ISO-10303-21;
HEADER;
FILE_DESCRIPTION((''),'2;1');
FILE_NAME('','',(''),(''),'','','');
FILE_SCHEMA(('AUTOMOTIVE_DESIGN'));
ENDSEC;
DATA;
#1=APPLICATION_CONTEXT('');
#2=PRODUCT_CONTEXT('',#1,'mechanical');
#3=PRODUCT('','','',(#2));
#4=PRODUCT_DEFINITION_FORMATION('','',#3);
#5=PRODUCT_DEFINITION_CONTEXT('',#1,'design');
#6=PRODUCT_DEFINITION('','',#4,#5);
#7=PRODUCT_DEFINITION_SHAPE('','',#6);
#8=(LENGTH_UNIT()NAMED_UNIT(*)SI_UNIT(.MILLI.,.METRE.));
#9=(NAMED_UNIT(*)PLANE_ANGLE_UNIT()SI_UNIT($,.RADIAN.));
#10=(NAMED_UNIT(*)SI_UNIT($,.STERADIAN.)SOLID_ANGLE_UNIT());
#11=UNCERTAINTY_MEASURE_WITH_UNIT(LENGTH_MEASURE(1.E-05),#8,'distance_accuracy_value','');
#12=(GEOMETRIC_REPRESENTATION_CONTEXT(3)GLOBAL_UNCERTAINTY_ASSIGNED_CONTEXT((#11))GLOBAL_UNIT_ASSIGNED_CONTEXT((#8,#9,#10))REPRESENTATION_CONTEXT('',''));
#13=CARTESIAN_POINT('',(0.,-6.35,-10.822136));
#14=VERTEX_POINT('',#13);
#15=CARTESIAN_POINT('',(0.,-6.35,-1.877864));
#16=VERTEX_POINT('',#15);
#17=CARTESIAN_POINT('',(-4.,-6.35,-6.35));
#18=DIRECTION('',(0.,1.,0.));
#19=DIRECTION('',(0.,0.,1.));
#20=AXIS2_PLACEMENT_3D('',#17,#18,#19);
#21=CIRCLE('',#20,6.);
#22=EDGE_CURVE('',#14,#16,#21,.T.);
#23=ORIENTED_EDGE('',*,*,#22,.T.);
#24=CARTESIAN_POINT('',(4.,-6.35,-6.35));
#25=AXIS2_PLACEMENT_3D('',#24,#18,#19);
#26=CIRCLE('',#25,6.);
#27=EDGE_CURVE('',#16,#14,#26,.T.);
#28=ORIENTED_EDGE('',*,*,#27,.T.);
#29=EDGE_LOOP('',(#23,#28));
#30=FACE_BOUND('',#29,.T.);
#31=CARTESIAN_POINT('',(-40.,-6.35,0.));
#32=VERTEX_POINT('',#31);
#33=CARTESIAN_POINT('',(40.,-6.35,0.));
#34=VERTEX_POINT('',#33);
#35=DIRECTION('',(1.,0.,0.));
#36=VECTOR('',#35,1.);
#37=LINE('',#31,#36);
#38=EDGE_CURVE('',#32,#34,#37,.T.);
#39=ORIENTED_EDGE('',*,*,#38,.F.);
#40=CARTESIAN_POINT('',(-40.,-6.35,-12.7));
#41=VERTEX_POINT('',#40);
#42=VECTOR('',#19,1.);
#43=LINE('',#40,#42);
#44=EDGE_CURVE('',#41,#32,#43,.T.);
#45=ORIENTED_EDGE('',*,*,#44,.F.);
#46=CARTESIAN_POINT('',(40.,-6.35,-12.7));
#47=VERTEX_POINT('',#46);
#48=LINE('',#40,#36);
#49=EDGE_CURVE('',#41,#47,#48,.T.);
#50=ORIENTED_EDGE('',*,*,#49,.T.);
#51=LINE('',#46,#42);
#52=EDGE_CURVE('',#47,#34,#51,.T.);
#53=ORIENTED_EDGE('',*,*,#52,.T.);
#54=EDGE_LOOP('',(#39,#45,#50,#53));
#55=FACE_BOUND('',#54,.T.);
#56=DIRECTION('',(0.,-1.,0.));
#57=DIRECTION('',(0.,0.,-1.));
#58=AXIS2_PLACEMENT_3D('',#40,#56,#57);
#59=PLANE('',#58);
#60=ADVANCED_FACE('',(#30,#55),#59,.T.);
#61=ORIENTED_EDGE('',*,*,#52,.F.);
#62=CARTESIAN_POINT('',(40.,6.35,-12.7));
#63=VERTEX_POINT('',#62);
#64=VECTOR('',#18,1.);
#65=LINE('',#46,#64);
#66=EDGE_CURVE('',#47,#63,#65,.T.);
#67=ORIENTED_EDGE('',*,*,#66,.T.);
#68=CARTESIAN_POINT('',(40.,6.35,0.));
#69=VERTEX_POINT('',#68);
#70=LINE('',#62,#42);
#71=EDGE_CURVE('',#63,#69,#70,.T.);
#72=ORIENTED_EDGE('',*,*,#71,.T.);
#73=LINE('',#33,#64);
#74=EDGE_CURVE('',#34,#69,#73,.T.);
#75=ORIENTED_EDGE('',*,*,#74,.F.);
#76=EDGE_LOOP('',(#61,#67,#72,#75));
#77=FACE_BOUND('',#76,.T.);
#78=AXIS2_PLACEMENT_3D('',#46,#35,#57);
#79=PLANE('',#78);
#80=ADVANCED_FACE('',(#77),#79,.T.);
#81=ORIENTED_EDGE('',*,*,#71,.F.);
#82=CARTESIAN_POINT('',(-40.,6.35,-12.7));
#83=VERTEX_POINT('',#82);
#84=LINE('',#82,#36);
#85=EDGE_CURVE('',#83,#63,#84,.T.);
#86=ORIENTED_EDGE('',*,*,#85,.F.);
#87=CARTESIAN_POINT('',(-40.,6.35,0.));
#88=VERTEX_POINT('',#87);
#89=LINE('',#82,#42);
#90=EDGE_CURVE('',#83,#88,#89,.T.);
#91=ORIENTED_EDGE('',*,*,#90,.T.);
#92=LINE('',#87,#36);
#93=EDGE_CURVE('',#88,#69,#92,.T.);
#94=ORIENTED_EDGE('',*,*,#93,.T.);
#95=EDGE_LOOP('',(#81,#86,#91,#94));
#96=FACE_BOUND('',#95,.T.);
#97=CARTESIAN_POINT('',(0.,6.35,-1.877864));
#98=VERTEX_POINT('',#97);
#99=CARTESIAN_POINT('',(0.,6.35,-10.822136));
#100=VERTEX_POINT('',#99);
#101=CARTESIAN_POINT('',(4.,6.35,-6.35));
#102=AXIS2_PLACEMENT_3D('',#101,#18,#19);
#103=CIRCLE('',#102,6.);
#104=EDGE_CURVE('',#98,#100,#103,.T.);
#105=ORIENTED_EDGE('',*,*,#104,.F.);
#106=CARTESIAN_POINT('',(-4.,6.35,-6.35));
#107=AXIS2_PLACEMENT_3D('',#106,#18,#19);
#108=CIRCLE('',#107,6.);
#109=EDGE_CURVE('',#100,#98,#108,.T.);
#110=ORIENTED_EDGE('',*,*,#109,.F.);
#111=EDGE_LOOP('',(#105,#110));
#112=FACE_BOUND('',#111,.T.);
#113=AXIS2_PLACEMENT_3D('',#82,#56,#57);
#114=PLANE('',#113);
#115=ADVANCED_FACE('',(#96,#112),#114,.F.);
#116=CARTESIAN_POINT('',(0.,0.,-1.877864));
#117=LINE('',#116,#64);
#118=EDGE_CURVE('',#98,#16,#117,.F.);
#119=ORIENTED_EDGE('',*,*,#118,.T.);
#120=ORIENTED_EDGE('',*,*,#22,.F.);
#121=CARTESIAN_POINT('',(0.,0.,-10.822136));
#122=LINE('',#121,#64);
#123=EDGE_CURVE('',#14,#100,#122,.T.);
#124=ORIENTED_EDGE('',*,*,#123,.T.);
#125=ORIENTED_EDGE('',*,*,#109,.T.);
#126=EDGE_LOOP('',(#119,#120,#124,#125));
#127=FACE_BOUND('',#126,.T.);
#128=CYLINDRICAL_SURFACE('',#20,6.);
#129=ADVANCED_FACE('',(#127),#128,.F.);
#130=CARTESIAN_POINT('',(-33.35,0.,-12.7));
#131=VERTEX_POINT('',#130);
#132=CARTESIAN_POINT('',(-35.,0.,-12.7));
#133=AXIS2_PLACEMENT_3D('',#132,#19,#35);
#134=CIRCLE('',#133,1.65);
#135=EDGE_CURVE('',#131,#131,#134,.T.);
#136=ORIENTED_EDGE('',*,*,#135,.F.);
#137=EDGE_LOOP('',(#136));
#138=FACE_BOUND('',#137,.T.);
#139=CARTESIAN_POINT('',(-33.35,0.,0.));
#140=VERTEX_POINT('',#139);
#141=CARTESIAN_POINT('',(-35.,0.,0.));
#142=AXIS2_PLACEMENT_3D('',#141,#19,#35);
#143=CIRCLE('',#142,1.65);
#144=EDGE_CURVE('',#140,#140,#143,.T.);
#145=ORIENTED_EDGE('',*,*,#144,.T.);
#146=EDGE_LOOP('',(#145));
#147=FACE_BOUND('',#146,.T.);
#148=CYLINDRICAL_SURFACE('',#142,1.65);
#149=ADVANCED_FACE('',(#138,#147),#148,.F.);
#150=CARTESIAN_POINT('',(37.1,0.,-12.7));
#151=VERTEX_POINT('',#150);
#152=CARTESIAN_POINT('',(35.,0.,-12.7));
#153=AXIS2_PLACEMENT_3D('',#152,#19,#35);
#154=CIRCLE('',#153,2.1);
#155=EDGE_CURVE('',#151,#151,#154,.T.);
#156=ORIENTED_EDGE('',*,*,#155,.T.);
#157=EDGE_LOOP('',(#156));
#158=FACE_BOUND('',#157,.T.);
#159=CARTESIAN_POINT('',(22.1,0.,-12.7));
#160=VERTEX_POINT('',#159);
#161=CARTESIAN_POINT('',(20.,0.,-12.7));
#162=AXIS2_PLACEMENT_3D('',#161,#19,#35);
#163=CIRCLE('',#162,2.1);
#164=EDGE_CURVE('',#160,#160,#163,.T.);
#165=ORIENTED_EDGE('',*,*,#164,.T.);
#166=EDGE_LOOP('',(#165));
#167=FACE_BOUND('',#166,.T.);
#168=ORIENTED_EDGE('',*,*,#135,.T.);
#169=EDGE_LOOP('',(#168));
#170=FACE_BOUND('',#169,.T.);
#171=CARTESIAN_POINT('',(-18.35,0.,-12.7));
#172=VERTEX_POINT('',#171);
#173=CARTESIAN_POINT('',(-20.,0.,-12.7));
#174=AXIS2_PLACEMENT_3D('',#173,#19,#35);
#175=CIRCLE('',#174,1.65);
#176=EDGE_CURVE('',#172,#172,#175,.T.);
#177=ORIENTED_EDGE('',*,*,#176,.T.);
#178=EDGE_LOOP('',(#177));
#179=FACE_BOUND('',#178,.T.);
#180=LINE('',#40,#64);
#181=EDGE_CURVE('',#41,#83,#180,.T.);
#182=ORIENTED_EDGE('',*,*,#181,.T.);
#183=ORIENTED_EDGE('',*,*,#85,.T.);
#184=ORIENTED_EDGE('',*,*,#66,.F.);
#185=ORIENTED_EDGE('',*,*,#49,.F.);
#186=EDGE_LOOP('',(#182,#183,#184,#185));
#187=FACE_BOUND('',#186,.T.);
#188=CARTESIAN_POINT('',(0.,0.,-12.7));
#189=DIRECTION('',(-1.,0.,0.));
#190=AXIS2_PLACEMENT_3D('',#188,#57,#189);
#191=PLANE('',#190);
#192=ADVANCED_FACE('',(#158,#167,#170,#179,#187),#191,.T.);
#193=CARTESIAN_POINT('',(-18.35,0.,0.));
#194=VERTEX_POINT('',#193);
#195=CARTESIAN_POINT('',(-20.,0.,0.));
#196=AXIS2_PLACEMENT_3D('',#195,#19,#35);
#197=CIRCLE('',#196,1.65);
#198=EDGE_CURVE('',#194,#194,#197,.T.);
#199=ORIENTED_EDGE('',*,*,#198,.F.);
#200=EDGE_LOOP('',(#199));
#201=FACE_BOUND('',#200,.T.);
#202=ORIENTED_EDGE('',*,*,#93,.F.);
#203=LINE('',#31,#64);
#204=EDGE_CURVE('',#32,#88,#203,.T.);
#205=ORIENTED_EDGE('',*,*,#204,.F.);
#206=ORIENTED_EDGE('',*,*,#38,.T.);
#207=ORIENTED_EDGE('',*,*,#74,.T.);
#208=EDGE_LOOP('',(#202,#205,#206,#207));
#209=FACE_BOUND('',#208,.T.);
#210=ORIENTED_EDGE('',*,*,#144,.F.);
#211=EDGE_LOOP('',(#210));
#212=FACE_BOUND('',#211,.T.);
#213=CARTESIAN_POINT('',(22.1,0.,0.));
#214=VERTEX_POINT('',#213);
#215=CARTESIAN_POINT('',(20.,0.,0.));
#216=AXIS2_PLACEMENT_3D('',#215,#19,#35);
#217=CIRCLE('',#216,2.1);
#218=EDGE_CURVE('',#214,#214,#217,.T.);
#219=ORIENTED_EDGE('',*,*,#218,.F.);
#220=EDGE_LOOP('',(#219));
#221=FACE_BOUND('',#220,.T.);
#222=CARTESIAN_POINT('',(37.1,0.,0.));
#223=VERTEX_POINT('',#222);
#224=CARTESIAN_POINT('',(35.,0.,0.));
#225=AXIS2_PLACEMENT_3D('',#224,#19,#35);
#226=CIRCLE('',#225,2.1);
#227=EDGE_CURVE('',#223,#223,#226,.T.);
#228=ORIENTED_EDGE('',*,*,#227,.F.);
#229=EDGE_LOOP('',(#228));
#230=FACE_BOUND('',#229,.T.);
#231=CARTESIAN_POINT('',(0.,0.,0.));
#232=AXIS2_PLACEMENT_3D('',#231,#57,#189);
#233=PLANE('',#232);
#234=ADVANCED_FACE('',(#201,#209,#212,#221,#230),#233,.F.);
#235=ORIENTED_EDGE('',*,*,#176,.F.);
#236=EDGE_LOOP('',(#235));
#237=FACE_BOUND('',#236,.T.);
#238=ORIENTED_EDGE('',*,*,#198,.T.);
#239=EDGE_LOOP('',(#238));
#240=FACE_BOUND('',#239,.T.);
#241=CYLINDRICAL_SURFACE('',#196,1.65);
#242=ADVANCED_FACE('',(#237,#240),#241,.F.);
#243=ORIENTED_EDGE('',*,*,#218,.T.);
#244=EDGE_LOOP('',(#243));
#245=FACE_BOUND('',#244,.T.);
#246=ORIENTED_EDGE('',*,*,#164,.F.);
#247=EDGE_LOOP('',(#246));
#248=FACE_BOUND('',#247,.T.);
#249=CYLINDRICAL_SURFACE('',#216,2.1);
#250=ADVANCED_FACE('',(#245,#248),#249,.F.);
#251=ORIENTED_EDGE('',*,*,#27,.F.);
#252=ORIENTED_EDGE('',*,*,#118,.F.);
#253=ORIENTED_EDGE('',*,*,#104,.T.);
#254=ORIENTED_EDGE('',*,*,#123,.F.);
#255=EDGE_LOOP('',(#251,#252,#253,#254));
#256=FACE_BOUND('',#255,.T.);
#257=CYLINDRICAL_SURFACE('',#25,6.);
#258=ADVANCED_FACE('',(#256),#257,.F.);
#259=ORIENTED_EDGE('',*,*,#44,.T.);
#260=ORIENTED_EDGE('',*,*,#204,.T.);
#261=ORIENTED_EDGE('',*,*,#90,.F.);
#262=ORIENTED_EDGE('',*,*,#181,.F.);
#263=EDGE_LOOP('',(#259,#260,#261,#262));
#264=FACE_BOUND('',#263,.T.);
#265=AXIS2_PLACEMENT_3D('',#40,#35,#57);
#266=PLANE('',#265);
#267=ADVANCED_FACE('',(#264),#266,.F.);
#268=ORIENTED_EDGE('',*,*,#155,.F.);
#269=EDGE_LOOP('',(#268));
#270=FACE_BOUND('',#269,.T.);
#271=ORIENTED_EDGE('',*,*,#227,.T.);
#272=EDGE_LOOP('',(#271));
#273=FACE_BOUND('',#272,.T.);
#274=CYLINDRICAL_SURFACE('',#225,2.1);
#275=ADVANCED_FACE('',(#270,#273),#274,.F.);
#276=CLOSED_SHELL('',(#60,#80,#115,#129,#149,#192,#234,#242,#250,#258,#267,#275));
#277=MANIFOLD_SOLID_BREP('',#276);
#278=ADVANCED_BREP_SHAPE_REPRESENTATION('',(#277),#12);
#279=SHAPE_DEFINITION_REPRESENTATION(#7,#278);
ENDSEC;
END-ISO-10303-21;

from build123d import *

# Parameters (mm, degrees)
SKETCH1_W               = 80
SKETCH1_H               = 12.7
BOSS_EXTRUDE1_DEPTH     = 12.7
TAP_DRILL_FOR_M5_TAP1_D = 4.2
TAP_DRILL_FOR_M4_TAP1_D = 3.3
SKETCH6_R               = 6
CUT_EXTRUDE1_DEPTH      = 44.847234804


with BuildPart() as part:
    # Sketch1 → Boss-Extrude1 (new body)
    with BuildSketch(Plane.XY):
        Rectangle(SKETCH1_W, SKETCH1_H)
    extrude(amount=-BOSS_EXTRUDE1_DEPTH)

    # Tap Drill for M5 Tap1 (through all)
    with Locations(Plane.XY):
        with Locations((20, 0), (35, 0)):
            Hole(TAP_DRILL_FOR_M5_TAP1_D / 2)

    # Tap Drill for M4 Tap1 (through all)
    with Locations(Plane.XY):
        with Locations((-35, 0), (-20, 0)):
            Hole(TAP_DRILL_FOR_M4_TAP1_D / 2)

    # Sketch6 → Cut-Extrude1 (cut, through all)
    with BuildSketch(Plane(origin=(0, 6.35, 0), x_dir=(1, 0, 0), z_dir=(0, 1, 0))):
        with Locations((-4, 6.35)):
            Circle(SKETCH6_R)
        with Locations((4, 6.35)):
            Circle(SKETCH6_R)
    extrude(amount=-CUT_EXTRUDE1_DEPTH, mode=Mode.SUBTRACT)


solid = part.part
